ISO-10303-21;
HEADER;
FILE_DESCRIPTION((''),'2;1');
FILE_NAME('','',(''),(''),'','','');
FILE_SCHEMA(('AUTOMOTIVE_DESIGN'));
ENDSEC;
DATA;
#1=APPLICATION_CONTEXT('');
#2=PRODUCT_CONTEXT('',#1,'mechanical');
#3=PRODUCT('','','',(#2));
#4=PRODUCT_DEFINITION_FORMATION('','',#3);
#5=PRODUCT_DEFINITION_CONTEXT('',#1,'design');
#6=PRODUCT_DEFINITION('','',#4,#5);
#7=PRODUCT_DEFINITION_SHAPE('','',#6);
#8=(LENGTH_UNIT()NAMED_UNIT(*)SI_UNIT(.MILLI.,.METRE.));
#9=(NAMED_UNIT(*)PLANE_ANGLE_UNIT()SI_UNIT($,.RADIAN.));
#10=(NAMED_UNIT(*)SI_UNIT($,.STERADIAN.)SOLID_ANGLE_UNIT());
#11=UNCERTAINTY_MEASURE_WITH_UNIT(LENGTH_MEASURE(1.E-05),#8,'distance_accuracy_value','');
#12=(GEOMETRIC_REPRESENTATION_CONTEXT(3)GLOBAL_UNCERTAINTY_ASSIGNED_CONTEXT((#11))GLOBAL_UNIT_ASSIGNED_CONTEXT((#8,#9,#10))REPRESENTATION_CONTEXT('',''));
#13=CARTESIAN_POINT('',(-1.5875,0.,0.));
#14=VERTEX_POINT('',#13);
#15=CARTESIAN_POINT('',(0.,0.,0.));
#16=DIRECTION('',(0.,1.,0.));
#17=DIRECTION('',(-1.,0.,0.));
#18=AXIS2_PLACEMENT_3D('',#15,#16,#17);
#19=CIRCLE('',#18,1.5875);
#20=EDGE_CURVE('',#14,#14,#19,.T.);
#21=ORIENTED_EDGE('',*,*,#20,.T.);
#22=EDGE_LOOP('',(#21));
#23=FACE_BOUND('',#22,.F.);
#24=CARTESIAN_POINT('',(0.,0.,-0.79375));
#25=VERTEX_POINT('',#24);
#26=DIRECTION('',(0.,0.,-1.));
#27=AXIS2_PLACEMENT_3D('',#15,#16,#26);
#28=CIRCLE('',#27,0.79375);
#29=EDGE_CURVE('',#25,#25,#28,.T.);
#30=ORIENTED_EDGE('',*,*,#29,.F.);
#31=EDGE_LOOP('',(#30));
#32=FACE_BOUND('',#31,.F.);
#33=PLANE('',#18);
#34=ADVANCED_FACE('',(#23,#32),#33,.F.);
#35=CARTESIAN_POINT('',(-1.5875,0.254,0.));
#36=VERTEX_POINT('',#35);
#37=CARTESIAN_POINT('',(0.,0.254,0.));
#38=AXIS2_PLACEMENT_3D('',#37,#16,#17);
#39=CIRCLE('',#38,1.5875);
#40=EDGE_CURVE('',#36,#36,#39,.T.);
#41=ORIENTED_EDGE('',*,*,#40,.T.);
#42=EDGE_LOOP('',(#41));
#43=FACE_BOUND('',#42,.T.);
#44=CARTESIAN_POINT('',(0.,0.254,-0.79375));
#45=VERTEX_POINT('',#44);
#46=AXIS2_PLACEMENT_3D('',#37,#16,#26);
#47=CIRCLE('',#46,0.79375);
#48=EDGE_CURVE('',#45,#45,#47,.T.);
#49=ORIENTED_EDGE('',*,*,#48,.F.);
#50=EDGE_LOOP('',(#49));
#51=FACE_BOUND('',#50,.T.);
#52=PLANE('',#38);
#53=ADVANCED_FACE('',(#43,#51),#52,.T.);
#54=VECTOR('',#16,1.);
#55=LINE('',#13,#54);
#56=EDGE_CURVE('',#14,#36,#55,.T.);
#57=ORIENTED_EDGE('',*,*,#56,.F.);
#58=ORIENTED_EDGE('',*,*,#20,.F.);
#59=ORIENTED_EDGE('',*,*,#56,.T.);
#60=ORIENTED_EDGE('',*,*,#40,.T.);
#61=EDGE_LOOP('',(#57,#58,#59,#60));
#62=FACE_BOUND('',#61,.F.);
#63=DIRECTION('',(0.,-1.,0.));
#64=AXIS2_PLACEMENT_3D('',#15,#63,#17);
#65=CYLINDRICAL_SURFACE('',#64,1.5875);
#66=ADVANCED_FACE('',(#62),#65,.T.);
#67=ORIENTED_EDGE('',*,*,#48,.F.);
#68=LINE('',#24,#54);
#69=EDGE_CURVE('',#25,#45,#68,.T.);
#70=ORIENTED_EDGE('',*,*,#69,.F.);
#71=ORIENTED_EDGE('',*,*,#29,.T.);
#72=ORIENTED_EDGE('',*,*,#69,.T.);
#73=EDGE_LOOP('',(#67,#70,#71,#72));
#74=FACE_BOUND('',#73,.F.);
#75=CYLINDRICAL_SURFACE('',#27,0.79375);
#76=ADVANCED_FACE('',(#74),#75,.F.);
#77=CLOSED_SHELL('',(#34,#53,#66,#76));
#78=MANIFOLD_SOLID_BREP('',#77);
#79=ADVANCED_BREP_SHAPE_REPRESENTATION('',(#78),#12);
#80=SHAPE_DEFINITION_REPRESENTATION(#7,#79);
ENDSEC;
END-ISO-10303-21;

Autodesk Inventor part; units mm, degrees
ref_plane "YZ Plane" through (0, 0, 0) normal (1, 0, 0) x (0, 1, 0)
ref_plane "XZ Plane" through (0, 0, 0) normal (0, 1, 0) x (-1, 0, 0)
ref_plane "XY Plane" through (0, 0, 0) normal (0, 0, 1) x (1, 0, 0)
sketch "Sketch1" plane through (0, 0, 0) normal (0, 1, 0) x (-1, 0, 0)
  circle A0 centre (0, 0) radius 1.5875
  dimension "d0" = 3.175
extrude "Extrusion1" add sketch "Sketch1" along normal blind 0.254
hole "Hole1" at (0, 0, 0) direction (0, 1, 0) diameter 1.5875 depth 1.5875 tip angle 118
properties part number ".125 washer" material "Aluminum 6061, Welded"
